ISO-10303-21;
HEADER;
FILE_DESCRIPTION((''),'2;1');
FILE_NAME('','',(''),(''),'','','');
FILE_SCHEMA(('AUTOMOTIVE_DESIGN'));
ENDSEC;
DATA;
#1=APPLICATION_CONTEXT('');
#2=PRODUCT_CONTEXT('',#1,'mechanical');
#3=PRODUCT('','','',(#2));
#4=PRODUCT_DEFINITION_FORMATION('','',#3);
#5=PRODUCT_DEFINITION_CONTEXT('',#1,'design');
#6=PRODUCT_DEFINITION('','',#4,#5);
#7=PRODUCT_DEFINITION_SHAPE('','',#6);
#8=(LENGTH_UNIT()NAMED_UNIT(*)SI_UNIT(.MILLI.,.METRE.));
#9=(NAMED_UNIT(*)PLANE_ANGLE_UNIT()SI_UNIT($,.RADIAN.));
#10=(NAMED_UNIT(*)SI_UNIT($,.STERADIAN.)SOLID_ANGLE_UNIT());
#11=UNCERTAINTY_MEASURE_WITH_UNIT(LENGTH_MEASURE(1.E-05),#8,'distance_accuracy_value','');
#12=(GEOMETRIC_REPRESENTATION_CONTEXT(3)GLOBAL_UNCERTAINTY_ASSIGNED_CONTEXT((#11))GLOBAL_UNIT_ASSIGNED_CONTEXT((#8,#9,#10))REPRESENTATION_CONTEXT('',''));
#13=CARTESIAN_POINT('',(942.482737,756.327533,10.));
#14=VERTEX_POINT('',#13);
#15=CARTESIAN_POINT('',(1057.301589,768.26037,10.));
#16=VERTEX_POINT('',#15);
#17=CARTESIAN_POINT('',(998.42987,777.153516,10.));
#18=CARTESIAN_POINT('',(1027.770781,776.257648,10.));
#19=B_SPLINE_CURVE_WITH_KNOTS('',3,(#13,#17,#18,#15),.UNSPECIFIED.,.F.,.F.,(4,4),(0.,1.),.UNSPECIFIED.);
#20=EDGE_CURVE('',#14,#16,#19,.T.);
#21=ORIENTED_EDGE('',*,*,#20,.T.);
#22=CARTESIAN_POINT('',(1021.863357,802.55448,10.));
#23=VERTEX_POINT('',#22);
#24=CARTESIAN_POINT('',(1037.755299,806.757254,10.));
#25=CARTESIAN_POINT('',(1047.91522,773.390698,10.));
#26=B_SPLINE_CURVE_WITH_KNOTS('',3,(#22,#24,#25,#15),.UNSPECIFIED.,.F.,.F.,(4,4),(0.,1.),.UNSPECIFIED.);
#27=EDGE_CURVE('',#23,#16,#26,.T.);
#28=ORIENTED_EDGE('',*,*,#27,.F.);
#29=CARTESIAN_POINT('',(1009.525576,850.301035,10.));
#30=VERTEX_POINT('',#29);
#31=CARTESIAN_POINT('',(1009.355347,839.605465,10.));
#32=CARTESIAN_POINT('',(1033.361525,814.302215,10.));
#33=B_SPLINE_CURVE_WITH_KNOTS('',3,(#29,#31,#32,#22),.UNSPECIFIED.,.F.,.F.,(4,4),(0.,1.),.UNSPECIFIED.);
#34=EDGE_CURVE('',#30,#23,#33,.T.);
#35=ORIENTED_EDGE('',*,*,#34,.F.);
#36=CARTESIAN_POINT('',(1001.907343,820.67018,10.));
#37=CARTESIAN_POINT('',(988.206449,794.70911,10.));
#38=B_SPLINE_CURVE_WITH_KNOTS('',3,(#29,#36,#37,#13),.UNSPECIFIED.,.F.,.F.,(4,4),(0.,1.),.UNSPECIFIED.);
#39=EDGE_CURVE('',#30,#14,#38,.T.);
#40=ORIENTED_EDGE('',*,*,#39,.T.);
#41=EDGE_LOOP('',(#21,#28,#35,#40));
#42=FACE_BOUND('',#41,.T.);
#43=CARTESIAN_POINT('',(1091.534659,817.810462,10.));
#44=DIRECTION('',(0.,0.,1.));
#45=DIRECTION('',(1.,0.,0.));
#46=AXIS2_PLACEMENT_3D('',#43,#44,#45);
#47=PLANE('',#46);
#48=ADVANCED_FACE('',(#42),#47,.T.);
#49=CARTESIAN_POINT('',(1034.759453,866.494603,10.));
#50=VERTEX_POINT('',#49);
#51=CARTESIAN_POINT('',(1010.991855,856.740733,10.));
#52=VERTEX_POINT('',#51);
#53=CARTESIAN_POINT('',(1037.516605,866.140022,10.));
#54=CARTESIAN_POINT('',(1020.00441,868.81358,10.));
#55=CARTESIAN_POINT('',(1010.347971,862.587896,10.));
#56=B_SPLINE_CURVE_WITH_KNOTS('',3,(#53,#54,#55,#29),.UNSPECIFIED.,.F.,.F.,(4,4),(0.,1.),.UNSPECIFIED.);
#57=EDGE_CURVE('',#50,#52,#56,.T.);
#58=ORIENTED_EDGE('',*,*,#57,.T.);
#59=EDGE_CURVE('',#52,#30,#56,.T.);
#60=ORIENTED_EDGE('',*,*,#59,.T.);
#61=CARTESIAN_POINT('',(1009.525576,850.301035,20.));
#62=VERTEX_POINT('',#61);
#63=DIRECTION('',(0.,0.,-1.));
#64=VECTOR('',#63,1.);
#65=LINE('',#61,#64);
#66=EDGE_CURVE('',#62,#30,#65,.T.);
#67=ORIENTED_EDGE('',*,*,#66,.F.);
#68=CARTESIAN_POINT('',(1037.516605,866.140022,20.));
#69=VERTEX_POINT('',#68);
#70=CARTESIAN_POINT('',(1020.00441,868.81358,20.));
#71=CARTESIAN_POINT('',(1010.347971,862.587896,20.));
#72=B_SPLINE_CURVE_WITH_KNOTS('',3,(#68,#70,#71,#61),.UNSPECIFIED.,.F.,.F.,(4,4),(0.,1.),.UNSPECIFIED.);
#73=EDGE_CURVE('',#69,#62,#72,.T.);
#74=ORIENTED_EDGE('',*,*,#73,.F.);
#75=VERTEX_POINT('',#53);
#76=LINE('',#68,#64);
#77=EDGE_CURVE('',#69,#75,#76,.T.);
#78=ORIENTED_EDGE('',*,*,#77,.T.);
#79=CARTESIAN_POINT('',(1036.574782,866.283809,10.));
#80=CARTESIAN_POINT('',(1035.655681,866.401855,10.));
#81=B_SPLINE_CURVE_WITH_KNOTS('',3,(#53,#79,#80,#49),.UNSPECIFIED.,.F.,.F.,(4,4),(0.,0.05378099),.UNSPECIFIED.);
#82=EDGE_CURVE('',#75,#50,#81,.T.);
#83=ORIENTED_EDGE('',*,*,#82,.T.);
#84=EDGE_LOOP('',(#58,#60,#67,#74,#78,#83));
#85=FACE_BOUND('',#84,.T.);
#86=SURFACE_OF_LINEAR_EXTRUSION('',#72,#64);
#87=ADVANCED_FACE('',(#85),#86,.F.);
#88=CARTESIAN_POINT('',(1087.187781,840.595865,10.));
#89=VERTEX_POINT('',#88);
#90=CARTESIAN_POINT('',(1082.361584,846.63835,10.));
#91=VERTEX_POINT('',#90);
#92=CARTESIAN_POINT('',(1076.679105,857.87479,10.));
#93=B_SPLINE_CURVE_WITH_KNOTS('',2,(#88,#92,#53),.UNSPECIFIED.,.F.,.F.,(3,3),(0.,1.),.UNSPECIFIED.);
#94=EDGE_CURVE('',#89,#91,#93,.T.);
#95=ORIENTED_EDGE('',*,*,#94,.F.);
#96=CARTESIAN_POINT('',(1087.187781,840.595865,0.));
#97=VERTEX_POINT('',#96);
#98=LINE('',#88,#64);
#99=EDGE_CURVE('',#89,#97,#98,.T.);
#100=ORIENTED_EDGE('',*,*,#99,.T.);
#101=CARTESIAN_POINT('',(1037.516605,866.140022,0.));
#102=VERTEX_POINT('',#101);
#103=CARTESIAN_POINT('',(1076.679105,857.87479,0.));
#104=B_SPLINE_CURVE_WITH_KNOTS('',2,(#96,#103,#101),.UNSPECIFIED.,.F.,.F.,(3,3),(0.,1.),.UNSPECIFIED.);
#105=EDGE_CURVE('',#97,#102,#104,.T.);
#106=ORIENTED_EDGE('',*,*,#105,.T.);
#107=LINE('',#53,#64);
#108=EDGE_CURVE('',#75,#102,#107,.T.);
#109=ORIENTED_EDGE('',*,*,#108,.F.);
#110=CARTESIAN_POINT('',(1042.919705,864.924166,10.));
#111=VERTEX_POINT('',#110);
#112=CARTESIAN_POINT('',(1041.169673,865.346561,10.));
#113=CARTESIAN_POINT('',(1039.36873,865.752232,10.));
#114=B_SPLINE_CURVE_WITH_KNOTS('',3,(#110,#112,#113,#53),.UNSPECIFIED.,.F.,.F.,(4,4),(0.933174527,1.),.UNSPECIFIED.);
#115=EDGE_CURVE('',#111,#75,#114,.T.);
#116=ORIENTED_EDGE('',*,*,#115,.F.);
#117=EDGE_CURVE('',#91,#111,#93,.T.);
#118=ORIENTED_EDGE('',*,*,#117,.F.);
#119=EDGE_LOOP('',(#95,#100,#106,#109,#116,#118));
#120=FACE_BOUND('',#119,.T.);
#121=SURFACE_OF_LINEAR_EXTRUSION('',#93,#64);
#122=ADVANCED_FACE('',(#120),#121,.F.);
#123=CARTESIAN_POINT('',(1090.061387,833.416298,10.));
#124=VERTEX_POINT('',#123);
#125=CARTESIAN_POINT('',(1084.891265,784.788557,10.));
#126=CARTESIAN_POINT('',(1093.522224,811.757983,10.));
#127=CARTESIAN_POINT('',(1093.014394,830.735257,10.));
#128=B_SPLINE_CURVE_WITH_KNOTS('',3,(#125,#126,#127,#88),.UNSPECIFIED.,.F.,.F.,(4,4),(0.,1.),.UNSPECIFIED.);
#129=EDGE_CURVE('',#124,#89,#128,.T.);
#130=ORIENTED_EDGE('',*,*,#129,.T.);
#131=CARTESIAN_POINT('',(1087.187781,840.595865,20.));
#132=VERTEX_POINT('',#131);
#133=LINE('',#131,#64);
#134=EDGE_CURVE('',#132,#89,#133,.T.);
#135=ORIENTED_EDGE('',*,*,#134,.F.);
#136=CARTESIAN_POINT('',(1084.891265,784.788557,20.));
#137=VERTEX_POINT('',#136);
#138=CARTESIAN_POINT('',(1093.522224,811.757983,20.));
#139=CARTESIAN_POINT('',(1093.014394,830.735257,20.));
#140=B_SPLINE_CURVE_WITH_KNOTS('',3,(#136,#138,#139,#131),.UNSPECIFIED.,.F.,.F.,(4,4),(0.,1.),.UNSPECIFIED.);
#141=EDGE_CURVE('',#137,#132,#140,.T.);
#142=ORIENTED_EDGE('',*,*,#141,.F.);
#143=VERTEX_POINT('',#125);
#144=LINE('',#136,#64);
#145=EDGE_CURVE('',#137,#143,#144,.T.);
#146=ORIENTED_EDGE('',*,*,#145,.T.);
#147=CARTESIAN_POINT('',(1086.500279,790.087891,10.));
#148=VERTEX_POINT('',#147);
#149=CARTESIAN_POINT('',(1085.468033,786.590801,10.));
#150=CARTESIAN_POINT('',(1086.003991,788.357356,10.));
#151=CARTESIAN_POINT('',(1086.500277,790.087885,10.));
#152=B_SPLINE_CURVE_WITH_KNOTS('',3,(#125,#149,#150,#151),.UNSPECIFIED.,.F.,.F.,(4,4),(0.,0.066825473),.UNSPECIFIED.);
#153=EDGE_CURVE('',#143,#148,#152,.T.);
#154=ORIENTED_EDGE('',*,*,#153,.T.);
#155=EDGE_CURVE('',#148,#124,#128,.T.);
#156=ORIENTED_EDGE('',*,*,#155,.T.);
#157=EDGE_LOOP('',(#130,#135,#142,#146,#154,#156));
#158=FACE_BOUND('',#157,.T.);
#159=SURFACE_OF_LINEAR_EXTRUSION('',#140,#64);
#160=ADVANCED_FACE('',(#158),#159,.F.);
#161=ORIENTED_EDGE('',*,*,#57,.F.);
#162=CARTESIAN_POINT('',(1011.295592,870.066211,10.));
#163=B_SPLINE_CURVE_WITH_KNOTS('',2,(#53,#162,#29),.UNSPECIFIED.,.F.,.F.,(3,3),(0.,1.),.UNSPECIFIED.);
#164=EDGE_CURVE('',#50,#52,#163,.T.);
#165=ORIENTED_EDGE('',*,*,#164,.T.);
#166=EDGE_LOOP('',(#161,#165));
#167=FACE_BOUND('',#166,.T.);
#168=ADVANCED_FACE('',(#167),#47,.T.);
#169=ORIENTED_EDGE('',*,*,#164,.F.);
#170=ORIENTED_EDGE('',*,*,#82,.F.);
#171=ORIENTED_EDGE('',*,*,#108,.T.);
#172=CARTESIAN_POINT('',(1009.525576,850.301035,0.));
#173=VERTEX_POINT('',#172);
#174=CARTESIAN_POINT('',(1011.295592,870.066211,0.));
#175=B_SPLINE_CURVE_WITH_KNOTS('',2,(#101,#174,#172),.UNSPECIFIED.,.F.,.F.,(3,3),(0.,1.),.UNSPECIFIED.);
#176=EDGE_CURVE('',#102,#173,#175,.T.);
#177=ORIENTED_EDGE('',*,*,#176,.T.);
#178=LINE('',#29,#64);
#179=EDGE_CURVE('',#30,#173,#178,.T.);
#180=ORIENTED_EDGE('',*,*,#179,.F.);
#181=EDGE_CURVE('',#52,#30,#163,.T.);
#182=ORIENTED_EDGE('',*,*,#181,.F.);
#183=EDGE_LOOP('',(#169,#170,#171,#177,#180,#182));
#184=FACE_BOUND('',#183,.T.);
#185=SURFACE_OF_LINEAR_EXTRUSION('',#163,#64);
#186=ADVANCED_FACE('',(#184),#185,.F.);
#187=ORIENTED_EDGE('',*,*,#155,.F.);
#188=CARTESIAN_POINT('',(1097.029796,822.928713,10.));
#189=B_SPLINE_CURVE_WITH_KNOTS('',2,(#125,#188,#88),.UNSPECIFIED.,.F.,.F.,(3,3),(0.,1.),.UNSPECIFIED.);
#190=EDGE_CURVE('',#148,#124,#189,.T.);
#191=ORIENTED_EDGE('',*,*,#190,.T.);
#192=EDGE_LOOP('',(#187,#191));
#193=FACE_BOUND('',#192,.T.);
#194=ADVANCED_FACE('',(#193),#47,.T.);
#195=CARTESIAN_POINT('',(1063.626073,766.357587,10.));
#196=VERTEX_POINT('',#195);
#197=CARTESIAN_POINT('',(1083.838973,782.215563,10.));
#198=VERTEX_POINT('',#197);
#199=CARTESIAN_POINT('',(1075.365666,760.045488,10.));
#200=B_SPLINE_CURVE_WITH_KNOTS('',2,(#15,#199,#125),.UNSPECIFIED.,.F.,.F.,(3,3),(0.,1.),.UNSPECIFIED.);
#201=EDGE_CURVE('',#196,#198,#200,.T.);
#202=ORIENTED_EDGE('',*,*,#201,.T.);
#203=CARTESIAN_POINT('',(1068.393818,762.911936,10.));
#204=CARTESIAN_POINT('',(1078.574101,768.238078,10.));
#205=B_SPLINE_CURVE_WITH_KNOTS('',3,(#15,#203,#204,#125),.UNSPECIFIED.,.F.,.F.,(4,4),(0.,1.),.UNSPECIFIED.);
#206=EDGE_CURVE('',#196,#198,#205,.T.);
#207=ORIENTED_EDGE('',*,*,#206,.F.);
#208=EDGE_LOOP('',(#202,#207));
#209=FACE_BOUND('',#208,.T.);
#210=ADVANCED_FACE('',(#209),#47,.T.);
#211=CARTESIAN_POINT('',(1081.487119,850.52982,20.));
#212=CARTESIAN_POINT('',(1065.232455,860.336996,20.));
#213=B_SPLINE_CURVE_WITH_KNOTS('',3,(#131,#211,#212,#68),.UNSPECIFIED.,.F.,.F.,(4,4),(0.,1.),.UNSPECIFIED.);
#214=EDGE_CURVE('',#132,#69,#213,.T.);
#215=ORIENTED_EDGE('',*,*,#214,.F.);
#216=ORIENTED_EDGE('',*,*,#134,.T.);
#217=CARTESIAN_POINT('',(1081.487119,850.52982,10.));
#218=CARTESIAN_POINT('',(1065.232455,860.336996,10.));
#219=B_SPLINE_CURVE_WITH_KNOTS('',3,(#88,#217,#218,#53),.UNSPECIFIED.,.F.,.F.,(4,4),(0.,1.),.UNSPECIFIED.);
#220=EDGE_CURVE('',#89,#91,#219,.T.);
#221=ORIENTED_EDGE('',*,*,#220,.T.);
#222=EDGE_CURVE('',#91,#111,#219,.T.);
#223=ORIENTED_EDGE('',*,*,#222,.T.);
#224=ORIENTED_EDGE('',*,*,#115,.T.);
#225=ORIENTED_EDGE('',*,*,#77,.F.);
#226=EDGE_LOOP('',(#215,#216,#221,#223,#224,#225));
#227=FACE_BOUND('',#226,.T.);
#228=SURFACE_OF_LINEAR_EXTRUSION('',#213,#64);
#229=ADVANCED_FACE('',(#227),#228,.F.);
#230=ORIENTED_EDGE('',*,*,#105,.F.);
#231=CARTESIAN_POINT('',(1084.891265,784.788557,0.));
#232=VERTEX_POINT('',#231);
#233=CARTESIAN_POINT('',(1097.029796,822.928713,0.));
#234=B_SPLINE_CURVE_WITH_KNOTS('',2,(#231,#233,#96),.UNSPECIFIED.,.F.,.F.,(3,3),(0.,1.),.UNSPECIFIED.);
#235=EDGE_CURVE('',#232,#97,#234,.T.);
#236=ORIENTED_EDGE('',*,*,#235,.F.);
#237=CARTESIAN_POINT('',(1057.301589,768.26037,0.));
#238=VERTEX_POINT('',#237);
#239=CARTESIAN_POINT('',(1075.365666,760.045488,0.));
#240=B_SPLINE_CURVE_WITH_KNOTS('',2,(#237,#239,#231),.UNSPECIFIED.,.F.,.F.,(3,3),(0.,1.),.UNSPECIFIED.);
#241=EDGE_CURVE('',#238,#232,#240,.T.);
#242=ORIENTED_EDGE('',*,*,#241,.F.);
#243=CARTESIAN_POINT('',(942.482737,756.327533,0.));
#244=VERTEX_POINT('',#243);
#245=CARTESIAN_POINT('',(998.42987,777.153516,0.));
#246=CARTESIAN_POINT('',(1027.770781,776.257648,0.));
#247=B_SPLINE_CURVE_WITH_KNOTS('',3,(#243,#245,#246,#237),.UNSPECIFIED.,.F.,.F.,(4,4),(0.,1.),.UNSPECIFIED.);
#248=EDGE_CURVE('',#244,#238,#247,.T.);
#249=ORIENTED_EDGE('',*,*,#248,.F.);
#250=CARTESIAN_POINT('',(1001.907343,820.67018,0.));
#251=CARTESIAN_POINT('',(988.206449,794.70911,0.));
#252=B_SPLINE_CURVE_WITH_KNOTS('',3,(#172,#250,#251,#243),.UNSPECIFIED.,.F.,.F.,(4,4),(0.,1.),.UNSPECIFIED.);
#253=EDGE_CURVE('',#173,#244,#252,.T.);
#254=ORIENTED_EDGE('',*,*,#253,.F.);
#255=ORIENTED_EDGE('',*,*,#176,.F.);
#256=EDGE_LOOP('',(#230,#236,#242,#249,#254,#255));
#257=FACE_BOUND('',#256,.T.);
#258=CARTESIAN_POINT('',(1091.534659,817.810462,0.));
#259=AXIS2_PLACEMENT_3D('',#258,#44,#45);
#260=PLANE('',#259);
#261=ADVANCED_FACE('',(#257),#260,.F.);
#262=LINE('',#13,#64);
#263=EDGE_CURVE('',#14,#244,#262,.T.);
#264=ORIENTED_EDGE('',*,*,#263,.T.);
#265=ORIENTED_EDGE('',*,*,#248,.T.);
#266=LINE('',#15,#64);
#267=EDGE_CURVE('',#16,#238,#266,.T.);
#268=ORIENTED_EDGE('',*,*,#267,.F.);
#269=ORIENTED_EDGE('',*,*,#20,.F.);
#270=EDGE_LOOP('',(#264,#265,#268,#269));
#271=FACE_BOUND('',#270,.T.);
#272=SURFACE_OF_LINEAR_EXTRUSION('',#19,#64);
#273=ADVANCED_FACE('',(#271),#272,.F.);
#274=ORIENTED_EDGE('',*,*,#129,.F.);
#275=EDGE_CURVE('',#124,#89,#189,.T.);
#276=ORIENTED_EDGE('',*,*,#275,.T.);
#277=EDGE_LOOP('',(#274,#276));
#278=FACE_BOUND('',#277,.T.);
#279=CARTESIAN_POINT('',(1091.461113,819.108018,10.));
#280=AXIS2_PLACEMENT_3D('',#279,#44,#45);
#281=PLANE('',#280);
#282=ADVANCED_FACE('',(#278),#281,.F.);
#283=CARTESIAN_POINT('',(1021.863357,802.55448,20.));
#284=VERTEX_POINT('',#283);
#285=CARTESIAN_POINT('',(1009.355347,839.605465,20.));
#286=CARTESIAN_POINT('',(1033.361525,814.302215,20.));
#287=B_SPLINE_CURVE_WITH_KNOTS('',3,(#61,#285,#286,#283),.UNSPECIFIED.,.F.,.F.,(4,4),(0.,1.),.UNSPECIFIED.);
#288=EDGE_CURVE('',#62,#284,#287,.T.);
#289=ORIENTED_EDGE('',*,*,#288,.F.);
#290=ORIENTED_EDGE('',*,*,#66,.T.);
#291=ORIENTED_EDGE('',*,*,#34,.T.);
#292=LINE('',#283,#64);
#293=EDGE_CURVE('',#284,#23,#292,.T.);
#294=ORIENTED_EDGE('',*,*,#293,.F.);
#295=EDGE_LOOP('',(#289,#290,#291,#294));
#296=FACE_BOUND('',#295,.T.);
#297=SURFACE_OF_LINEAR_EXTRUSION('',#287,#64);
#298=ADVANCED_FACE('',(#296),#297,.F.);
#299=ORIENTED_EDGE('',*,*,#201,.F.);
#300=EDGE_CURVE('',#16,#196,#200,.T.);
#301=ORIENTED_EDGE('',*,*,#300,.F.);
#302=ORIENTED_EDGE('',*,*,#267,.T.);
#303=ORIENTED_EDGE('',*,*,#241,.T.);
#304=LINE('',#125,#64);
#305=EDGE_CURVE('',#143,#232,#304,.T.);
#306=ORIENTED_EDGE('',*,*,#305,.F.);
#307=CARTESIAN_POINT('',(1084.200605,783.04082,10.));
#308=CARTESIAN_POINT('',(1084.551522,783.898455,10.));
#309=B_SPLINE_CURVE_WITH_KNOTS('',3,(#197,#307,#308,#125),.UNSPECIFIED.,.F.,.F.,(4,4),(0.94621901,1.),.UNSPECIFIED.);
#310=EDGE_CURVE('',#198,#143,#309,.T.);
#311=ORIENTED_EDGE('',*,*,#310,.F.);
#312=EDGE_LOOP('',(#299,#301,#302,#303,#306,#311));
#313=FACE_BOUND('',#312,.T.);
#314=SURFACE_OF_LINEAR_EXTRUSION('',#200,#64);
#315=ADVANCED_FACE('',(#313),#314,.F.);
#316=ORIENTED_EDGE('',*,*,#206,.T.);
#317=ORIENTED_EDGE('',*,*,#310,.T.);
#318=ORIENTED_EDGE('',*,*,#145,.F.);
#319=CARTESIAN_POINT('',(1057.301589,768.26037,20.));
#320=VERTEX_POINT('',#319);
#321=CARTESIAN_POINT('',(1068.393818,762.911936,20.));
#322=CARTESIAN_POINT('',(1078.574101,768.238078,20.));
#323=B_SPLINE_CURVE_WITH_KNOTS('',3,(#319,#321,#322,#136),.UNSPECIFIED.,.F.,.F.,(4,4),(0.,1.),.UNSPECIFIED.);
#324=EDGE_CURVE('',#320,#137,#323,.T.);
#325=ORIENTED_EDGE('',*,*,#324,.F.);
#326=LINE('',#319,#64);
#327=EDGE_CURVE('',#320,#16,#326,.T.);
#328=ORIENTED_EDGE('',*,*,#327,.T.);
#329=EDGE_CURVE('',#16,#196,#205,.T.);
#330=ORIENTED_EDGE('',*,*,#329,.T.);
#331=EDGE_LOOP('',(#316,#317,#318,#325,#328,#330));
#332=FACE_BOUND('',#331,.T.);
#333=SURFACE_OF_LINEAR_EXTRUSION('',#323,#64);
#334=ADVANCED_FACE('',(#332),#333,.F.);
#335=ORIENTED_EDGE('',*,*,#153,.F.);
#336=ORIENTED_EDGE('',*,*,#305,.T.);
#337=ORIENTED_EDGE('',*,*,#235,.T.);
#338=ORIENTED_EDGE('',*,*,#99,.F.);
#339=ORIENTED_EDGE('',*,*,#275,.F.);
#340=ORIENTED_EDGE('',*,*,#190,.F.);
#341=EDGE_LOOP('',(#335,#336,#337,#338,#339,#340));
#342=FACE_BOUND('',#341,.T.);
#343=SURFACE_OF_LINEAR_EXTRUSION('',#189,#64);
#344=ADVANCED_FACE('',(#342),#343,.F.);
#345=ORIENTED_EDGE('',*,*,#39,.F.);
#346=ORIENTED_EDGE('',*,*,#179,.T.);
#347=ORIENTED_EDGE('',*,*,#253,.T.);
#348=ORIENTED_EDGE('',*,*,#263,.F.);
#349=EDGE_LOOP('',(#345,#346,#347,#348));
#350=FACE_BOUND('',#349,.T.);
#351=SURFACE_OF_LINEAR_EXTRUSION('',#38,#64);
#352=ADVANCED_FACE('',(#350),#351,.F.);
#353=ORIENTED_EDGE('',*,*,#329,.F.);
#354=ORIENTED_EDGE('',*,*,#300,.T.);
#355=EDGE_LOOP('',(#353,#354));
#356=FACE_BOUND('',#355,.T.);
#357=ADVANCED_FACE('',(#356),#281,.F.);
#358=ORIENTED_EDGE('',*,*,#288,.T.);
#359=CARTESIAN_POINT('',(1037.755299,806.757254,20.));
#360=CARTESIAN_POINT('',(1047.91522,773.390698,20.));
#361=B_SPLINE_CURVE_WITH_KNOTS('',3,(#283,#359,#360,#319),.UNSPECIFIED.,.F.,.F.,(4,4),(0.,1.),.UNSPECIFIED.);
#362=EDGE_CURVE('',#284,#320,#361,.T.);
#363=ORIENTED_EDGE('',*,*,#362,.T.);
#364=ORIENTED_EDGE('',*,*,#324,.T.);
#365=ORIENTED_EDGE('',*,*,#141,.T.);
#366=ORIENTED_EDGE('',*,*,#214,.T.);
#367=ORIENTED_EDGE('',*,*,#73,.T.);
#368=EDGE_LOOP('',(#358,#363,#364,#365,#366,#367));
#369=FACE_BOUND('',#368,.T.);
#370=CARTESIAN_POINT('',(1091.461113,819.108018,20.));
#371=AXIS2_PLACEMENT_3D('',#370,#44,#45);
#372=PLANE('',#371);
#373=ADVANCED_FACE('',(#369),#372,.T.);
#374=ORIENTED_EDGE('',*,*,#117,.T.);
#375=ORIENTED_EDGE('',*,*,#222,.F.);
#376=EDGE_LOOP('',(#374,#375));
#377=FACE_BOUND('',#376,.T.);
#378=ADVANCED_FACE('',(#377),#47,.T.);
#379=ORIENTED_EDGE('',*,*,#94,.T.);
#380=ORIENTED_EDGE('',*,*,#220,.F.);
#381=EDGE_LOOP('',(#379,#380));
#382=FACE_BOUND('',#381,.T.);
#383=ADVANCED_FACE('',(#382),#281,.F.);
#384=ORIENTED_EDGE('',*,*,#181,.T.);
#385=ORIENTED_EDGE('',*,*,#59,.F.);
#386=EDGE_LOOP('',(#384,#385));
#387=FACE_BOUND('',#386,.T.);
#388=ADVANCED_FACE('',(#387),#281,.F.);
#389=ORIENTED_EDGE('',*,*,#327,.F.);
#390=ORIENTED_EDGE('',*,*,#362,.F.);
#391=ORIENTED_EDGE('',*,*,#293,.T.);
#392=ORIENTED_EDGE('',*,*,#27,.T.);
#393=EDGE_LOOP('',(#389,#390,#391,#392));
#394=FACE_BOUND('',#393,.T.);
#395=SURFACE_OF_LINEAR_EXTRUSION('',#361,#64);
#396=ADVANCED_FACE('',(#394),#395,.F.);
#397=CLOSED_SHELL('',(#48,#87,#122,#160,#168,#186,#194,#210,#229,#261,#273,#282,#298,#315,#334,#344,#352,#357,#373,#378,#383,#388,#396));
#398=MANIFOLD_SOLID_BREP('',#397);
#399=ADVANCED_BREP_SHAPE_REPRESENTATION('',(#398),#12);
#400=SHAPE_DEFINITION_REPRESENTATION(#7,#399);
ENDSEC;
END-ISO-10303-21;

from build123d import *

# Parameters (mm, degrees)
BOSS_EXTRUDE1_DEPTH = 10
BOSS_EXTRUDE2_DEPTH = 10


with BuildPart() as part:
    # Sketch1 → Boss-Extrude1 (new body)
    with BuildSketch(Plane.XY):
        with BuildLine():
            add(Edge.make_bspline(
                [(1087.187780825, 840.59586504), (1076.67910482, 857.874790108), (1037.516605064, 866.140022112)],
                knots=[0, 0, 0, 1, 1, 1], degree=2))
            add(Edge.make_bspline(
                [(1037.516605064, 866.140022112), (1011.295592155, 870.066211203), (1009.525576357, 850.301034786)],
                knots=[0, 0, 0, 1, 1, 1], degree=2))
            add(Edge.make_bspline(
                [(1009.525576357, 850.301034786), (1001.907342818, 820.670179882), (988.206449115, 794.709110121), (942.482736763, 756.327533098)],
                knots=[0, 0, 0, 0, 1, 1, 1, 1], degree=3))
            add(Edge.make_bspline(
                [(1057.301588716, 768.260369991), (1027.770781215, 776.257647836), (998.429870334, 777.153516176), (942.482736763, 756.327533098)],
                knots=[0, 0, 0, 0, 1, 1, 1, 1], degree=3))
            add(Edge.make_bspline(
                [(1084.891265336, 784.788556571), (1075.365665589, 760.045488285), (1057.301588716, 768.260369991)],
                knots=[0, 0, 0, 1, 1, 1], degree=2))
            add(Edge.make_bspline(
                [(1087.187780825, 840.59586504), (1097.029795788, 822.928712911), (1084.891265336, 784.788556571)],
                knots=[0, 0, 0, 1, 1, 1], degree=2))
        make_face()
    extrude(amount=BOSS_EXTRUDE1_DEPTH)

    # Sketch3 → Boss-Extrude2 (add)
    with BuildSketch(Plane.XY.offset(10)):
        with BuildLine():
            add(Edge.make_bspline(
                [(1087.187780825, 840.59586504), (1081.487119197, 850.529819758), (1065.232454637, 860.336996081), (1037.516605064, 866.140022112)],
                knots=[0, 0, 0, 0, 1, 1, 1, 1], degree=3))
            add(Edge.make_bspline(
                [(1037.516605064, 866.140022112), (1020.004409568, 868.813580173), (1010.347971001, 862.587896026), (1009.525576357, 850.301034786)],
                knots=[0, 0, 0, 0, 1, 1, 1, 1], degree=3))
            add(Edge.make_bspline(
                [(1009.525576357, 850.301034786), (1009.355347436, 839.605465182), (1033.361525181, 814.302214514), (1021.863356533, 802.554480195)],
                knots=[0, 0, 0, 0, 1, 1, 1, 1], degree=3))
            add(Edge.make_bspline(
                [(1057.301588716, 768.260369991), (1047.915219632, 773.390697705), (1037.755299032, 806.75725398), (1021.863356533, 802.554480195)],
                knots=[0, 0, 0, 0, 1, 1, 1, 1], degree=3))
            add(Edge.make_bspline(
                [(1084.891265336, 784.788556571), (1078.57410115, 768.238078014), (1068.393818008, 762.911936443), (1057.301588716, 768.260369991)],
                knots=[0, 0, 0, 0, 1, 1, 1, 1], degree=3))
            add(Edge.make_bspline(
                [(1087.187780825, 840.59586504), (1093.014393603, 830.735257407), (1093.522224403, 811.757983228), (1084.891265336, 784.788556571)],
                knots=[0, 0, 0, 0, 1, 1, 1, 1], degree=3))
        make_face()
    extrude(amount=BOSS_EXTRUDE2_DEPTH)


solid = part.part
